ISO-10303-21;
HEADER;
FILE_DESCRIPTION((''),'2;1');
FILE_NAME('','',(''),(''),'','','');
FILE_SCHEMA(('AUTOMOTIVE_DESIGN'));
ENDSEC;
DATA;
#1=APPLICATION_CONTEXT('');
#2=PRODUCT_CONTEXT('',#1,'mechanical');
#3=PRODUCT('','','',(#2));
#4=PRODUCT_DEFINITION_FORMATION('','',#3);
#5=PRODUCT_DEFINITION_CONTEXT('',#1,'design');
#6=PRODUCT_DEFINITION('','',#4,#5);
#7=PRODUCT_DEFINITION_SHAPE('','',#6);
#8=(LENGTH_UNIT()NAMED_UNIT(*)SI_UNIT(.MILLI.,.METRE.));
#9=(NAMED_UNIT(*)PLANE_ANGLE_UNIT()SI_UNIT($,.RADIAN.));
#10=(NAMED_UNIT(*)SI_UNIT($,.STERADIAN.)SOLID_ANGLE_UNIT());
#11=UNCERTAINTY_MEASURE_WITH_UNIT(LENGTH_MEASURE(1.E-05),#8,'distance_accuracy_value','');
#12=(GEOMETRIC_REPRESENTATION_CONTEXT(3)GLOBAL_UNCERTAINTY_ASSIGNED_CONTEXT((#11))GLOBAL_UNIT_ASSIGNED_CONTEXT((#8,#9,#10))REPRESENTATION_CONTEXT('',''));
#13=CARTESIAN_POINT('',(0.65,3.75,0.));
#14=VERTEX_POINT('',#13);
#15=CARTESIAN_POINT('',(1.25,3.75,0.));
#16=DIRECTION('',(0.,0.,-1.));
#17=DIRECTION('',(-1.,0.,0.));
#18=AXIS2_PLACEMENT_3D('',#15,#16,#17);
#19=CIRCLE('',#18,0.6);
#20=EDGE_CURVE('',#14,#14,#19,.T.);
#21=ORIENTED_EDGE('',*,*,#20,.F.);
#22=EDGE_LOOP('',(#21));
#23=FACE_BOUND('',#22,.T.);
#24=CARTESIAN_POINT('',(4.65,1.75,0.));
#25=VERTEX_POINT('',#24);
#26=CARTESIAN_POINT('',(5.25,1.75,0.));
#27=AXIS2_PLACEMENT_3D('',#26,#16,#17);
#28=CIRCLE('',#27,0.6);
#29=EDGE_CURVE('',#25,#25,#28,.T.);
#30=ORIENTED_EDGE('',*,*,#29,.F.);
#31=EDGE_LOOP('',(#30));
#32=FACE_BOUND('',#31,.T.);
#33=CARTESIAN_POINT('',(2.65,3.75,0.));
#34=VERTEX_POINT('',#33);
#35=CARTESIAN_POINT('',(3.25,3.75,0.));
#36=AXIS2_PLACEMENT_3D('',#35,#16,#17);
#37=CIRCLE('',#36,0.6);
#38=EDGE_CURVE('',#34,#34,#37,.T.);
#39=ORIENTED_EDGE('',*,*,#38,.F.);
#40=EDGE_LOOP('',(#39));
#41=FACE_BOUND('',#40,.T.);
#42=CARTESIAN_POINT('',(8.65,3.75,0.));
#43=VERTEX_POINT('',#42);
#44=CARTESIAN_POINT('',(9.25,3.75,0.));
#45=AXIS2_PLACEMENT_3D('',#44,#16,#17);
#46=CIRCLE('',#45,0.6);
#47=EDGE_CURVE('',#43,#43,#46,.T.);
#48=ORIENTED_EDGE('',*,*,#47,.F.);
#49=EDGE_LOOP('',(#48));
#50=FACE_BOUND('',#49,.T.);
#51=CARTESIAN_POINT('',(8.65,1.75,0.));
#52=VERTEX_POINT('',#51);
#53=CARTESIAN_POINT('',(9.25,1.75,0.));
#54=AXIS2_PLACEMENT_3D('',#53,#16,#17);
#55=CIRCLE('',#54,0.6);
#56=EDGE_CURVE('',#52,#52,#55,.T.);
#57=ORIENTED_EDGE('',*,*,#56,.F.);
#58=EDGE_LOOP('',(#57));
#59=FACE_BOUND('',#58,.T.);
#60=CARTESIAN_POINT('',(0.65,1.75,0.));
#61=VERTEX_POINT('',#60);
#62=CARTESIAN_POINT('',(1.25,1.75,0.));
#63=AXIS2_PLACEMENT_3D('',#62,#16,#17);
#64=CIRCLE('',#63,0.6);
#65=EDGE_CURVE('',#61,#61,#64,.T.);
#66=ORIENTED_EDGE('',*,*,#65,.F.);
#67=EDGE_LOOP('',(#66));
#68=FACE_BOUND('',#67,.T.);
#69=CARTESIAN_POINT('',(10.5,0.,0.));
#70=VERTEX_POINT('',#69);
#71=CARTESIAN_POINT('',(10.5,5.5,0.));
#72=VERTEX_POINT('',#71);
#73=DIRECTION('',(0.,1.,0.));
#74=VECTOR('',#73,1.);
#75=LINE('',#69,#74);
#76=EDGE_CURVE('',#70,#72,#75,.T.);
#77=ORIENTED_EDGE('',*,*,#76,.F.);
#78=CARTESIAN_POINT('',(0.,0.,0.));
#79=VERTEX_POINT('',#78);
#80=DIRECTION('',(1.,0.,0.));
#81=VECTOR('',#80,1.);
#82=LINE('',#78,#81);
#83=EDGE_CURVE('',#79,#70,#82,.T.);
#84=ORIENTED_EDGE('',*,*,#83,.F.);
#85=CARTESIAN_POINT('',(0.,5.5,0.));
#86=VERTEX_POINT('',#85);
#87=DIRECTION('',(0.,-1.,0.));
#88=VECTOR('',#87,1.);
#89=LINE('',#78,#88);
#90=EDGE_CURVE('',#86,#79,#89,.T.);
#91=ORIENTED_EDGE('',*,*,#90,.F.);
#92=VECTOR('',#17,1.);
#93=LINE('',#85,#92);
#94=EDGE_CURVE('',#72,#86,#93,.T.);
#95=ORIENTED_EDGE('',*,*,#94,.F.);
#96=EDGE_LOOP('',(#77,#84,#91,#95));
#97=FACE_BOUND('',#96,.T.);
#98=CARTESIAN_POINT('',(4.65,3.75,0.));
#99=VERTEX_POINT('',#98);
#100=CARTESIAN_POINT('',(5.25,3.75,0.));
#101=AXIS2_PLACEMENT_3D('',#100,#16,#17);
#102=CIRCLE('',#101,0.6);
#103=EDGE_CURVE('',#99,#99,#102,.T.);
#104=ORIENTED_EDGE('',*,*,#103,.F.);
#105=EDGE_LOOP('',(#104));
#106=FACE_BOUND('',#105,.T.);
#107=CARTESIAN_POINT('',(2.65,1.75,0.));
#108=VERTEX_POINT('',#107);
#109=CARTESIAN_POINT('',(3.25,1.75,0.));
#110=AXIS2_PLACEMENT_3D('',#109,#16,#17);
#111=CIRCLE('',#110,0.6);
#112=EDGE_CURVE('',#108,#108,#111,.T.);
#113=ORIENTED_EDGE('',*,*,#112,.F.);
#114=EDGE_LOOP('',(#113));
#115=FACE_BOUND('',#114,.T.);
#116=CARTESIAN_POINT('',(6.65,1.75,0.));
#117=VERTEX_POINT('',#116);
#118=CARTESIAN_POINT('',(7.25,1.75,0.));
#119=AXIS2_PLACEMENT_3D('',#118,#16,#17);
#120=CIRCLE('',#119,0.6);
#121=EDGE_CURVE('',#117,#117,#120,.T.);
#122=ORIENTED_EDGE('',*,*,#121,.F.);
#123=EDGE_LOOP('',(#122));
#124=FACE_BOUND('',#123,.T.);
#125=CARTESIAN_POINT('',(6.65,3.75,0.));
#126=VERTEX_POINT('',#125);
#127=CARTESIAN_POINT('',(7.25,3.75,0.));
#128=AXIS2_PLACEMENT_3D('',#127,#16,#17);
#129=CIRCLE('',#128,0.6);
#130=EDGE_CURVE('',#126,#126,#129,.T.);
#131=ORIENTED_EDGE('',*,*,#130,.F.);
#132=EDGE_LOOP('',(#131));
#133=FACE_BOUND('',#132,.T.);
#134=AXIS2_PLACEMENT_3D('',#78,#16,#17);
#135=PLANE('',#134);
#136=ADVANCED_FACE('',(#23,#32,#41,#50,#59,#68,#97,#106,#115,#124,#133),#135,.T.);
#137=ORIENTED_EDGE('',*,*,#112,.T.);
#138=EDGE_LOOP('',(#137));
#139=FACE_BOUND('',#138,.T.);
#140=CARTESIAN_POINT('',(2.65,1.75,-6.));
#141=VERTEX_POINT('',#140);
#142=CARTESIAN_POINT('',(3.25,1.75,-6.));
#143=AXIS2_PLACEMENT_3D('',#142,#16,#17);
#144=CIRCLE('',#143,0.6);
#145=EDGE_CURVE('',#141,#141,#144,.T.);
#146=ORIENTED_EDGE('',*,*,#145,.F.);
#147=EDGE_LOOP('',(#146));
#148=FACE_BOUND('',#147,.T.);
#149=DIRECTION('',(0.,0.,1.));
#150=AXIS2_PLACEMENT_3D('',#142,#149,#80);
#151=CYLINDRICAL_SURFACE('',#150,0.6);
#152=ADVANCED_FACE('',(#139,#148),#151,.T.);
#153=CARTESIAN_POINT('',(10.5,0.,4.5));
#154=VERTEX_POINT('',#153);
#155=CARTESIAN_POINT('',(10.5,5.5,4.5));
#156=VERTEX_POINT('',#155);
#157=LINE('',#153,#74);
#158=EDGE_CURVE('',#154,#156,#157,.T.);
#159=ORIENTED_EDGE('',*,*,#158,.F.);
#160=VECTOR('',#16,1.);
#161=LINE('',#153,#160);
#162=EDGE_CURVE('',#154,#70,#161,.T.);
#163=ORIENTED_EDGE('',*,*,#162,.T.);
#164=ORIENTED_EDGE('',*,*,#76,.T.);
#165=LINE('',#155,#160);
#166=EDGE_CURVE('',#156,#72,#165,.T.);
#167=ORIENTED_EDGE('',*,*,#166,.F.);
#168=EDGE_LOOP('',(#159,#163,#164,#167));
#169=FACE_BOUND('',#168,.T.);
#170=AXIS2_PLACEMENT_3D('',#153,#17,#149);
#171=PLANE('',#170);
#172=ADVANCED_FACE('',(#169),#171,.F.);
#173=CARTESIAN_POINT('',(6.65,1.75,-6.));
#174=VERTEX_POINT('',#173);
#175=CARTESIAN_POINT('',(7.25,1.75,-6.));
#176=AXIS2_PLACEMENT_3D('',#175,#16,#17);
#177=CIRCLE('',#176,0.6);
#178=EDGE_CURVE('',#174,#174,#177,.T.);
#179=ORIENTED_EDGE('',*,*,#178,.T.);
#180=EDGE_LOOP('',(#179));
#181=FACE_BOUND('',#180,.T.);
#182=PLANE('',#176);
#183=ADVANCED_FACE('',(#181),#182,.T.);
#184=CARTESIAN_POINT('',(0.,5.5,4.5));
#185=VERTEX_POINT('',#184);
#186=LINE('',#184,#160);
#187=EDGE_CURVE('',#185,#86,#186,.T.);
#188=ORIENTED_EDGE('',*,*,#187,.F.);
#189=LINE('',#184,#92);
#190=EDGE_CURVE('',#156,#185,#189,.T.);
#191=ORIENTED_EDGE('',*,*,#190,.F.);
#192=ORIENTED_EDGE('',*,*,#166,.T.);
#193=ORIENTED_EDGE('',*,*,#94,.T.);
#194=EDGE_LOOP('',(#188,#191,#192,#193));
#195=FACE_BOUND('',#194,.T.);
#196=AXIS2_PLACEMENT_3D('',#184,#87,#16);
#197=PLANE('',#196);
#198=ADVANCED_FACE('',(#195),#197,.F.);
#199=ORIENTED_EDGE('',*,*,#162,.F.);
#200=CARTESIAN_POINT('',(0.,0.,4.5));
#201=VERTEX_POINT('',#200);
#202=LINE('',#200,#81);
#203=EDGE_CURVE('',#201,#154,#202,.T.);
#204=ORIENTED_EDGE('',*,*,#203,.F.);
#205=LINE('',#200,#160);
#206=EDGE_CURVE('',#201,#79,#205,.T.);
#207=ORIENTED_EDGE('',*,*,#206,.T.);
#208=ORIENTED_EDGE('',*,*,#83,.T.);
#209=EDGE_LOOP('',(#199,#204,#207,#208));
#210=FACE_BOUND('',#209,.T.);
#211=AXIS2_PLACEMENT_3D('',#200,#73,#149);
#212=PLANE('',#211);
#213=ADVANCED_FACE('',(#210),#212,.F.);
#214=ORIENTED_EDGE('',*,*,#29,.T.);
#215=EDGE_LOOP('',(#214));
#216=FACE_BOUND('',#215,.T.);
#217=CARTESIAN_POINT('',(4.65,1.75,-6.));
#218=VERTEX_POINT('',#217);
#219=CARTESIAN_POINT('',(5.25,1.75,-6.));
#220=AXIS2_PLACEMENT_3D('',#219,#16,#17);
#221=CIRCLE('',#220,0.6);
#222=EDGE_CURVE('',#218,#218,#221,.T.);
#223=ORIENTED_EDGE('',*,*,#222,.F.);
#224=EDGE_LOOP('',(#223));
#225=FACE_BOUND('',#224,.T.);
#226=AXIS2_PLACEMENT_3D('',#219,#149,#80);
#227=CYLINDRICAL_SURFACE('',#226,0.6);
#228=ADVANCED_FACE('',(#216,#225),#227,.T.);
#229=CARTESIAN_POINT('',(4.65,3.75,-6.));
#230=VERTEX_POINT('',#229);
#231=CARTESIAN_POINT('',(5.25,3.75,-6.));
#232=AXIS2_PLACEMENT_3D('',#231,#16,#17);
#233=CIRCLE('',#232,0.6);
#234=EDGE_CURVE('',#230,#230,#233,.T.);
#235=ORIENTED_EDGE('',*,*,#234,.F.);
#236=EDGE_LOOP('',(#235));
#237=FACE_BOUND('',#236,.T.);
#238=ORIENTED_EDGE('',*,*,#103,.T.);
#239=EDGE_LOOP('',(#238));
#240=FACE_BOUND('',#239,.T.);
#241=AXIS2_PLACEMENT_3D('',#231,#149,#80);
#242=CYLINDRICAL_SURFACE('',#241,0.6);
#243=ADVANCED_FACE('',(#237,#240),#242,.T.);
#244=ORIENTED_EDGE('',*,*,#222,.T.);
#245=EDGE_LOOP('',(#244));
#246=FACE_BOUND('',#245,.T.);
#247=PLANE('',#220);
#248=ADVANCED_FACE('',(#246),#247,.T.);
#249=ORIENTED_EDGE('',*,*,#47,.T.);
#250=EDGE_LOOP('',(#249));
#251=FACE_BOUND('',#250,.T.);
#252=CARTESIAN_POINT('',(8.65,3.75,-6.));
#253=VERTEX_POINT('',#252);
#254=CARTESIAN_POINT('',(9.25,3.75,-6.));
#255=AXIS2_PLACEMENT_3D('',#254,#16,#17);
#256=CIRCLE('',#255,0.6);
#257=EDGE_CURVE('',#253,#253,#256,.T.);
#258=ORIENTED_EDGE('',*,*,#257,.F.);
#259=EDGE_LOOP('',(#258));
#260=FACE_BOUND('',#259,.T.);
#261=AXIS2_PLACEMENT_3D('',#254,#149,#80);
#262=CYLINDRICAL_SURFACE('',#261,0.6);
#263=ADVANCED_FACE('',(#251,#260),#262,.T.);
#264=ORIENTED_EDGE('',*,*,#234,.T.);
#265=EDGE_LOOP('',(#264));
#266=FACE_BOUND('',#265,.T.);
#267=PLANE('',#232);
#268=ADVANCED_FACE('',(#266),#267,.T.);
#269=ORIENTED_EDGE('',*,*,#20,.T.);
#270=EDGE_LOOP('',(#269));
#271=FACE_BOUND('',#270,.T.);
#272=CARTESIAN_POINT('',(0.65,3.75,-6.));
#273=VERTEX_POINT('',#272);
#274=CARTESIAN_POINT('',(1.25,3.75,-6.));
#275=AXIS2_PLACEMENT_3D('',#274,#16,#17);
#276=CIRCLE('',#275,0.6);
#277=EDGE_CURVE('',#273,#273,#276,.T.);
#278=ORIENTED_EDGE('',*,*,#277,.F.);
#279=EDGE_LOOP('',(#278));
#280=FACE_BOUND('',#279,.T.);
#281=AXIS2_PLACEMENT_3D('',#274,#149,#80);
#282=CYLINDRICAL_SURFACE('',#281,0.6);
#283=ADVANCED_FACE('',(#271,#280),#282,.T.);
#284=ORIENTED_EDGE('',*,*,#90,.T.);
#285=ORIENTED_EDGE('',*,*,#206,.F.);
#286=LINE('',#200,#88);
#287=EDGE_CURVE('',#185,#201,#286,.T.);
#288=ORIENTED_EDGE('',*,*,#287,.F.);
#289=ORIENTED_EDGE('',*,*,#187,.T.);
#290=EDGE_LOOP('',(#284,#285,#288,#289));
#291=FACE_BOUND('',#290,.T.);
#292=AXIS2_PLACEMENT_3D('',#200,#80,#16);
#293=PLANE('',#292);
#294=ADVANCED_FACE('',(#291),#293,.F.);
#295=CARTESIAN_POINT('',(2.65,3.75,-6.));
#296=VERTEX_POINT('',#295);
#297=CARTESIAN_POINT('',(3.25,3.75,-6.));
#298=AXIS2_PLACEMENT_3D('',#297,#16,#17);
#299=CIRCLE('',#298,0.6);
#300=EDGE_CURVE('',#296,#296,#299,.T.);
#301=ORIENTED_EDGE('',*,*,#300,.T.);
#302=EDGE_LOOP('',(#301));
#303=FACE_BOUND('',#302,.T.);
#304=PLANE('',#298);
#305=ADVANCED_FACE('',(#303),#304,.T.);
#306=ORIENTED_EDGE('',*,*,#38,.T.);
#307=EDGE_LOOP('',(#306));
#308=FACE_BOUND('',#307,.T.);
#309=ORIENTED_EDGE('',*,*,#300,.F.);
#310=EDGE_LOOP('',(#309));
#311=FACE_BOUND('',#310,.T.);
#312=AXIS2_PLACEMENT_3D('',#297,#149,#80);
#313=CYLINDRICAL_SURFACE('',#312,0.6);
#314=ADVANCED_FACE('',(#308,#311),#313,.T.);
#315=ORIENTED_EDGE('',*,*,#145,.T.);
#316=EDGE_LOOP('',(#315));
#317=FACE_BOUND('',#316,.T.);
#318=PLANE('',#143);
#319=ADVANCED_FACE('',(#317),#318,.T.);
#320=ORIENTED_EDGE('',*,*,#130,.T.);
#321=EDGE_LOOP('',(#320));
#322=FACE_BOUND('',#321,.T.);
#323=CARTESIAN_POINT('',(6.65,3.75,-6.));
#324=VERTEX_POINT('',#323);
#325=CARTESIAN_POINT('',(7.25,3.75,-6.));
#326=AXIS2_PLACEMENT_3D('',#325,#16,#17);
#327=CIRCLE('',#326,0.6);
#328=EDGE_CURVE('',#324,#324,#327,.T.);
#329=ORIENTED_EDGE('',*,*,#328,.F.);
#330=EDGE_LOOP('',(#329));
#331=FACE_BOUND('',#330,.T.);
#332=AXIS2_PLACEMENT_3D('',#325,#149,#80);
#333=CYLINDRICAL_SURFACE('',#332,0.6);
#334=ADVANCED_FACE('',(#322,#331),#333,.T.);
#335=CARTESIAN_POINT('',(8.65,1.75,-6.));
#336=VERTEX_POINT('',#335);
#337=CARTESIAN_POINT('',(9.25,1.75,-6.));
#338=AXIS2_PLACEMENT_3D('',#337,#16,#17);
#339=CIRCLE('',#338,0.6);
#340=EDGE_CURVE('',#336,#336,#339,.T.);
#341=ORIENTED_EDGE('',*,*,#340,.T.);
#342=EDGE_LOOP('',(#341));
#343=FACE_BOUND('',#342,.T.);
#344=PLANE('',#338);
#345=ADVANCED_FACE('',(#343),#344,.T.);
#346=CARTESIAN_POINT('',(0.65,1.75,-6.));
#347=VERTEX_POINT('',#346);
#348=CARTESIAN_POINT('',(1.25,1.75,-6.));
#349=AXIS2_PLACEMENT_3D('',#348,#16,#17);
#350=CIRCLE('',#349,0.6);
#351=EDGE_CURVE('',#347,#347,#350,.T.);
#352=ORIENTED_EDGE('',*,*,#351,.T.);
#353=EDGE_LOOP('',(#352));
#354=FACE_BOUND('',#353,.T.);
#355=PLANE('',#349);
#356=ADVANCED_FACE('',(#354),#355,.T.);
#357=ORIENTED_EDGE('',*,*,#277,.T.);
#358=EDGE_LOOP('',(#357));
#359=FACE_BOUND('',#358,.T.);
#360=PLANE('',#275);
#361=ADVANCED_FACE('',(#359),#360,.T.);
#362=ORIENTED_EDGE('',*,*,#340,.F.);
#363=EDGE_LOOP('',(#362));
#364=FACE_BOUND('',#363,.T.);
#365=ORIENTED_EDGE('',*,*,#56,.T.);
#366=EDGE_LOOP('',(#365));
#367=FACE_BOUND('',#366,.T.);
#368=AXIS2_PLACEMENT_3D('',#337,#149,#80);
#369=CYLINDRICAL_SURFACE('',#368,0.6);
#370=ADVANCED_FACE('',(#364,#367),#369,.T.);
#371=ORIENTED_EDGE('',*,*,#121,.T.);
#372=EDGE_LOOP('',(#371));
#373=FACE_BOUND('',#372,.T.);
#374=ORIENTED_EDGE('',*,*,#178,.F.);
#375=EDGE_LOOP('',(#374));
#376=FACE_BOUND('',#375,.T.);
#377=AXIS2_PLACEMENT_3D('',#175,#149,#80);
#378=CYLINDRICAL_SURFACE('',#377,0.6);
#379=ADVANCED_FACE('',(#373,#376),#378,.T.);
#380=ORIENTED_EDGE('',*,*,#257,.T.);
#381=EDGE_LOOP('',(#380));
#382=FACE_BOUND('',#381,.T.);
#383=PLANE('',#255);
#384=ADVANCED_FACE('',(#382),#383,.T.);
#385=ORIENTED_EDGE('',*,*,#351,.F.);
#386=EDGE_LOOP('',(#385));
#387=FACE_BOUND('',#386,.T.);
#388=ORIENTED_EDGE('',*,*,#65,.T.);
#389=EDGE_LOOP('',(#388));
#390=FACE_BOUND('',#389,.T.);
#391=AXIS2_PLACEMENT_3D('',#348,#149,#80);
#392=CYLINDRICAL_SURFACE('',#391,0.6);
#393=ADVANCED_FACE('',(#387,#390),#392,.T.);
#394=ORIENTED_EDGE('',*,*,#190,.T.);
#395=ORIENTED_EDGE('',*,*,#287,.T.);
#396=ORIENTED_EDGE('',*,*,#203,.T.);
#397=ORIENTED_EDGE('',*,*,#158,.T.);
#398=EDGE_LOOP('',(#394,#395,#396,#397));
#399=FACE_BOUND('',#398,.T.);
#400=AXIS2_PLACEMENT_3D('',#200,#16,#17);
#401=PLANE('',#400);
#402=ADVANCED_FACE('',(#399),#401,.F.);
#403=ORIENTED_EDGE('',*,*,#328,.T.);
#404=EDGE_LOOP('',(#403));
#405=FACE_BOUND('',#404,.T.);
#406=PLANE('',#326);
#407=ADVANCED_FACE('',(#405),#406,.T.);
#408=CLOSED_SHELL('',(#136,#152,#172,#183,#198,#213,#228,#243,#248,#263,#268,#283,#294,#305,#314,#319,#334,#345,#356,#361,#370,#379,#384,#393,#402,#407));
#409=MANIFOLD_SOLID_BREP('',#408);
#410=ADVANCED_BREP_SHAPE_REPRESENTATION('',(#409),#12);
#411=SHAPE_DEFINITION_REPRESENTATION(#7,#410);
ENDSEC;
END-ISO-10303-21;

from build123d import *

# Parameters (mm, degrees)
SKETCH1_W           = 10.5
SKETCH1_H           = 5.5
BOSS_EXTRUDE1_DEPTH = 4.5
SKETCH2_R           = 0.6
BOSS_EXTRUDE2_DEPTH = 6


with BuildPart() as part:
    # Sketch1 → Boss-Extrude1 (new body)
    with BuildSketch(Plane.XY):
        with Locations((5.25, 2.75)):
            Rectangle(SKETCH1_W, SKETCH1_H)
    extrude(amount=BOSS_EXTRUDE1_DEPTH)

    # Sketch2 → Boss-Extrude2 (add)
    with BuildSketch(Plane(origin=(0, 0, 0), x_dir=(-1, 0, 0), z_dir=(0, 0, -1))):
        with Locations((-9.25, 3.75)):
            Circle(SKETCH2_R)
        with Locations((-9.25, 1.75)):
            Circle(SKETCH2_R)
        with Locations((-5.25, 1.75)):
            Circle(SKETCH2_R)
        with Locations((-7.25, 1.75)):
            Circle(SKETCH2_R)
        with Locations((-7.25, 3.75)):
            Circle(SKETCH2_R)
        with Locations((-5.25, 3.75)):
            Circle(SKETCH2_R)
        with Locations((-3.25, 3.75)):
            Circle(SKETCH2_R)
        with Locations((-1.25, 3.75)):
            Circle(SKETCH2_R)
        with Locations((-1.25, 1.75)):
            Circle(SKETCH2_R)
        with Locations((-3.25, 1.75)):
            Circle(SKETCH2_R)
    extrude(amount=BOSS_EXTRUDE2_DEPTH)


solid = part.part
